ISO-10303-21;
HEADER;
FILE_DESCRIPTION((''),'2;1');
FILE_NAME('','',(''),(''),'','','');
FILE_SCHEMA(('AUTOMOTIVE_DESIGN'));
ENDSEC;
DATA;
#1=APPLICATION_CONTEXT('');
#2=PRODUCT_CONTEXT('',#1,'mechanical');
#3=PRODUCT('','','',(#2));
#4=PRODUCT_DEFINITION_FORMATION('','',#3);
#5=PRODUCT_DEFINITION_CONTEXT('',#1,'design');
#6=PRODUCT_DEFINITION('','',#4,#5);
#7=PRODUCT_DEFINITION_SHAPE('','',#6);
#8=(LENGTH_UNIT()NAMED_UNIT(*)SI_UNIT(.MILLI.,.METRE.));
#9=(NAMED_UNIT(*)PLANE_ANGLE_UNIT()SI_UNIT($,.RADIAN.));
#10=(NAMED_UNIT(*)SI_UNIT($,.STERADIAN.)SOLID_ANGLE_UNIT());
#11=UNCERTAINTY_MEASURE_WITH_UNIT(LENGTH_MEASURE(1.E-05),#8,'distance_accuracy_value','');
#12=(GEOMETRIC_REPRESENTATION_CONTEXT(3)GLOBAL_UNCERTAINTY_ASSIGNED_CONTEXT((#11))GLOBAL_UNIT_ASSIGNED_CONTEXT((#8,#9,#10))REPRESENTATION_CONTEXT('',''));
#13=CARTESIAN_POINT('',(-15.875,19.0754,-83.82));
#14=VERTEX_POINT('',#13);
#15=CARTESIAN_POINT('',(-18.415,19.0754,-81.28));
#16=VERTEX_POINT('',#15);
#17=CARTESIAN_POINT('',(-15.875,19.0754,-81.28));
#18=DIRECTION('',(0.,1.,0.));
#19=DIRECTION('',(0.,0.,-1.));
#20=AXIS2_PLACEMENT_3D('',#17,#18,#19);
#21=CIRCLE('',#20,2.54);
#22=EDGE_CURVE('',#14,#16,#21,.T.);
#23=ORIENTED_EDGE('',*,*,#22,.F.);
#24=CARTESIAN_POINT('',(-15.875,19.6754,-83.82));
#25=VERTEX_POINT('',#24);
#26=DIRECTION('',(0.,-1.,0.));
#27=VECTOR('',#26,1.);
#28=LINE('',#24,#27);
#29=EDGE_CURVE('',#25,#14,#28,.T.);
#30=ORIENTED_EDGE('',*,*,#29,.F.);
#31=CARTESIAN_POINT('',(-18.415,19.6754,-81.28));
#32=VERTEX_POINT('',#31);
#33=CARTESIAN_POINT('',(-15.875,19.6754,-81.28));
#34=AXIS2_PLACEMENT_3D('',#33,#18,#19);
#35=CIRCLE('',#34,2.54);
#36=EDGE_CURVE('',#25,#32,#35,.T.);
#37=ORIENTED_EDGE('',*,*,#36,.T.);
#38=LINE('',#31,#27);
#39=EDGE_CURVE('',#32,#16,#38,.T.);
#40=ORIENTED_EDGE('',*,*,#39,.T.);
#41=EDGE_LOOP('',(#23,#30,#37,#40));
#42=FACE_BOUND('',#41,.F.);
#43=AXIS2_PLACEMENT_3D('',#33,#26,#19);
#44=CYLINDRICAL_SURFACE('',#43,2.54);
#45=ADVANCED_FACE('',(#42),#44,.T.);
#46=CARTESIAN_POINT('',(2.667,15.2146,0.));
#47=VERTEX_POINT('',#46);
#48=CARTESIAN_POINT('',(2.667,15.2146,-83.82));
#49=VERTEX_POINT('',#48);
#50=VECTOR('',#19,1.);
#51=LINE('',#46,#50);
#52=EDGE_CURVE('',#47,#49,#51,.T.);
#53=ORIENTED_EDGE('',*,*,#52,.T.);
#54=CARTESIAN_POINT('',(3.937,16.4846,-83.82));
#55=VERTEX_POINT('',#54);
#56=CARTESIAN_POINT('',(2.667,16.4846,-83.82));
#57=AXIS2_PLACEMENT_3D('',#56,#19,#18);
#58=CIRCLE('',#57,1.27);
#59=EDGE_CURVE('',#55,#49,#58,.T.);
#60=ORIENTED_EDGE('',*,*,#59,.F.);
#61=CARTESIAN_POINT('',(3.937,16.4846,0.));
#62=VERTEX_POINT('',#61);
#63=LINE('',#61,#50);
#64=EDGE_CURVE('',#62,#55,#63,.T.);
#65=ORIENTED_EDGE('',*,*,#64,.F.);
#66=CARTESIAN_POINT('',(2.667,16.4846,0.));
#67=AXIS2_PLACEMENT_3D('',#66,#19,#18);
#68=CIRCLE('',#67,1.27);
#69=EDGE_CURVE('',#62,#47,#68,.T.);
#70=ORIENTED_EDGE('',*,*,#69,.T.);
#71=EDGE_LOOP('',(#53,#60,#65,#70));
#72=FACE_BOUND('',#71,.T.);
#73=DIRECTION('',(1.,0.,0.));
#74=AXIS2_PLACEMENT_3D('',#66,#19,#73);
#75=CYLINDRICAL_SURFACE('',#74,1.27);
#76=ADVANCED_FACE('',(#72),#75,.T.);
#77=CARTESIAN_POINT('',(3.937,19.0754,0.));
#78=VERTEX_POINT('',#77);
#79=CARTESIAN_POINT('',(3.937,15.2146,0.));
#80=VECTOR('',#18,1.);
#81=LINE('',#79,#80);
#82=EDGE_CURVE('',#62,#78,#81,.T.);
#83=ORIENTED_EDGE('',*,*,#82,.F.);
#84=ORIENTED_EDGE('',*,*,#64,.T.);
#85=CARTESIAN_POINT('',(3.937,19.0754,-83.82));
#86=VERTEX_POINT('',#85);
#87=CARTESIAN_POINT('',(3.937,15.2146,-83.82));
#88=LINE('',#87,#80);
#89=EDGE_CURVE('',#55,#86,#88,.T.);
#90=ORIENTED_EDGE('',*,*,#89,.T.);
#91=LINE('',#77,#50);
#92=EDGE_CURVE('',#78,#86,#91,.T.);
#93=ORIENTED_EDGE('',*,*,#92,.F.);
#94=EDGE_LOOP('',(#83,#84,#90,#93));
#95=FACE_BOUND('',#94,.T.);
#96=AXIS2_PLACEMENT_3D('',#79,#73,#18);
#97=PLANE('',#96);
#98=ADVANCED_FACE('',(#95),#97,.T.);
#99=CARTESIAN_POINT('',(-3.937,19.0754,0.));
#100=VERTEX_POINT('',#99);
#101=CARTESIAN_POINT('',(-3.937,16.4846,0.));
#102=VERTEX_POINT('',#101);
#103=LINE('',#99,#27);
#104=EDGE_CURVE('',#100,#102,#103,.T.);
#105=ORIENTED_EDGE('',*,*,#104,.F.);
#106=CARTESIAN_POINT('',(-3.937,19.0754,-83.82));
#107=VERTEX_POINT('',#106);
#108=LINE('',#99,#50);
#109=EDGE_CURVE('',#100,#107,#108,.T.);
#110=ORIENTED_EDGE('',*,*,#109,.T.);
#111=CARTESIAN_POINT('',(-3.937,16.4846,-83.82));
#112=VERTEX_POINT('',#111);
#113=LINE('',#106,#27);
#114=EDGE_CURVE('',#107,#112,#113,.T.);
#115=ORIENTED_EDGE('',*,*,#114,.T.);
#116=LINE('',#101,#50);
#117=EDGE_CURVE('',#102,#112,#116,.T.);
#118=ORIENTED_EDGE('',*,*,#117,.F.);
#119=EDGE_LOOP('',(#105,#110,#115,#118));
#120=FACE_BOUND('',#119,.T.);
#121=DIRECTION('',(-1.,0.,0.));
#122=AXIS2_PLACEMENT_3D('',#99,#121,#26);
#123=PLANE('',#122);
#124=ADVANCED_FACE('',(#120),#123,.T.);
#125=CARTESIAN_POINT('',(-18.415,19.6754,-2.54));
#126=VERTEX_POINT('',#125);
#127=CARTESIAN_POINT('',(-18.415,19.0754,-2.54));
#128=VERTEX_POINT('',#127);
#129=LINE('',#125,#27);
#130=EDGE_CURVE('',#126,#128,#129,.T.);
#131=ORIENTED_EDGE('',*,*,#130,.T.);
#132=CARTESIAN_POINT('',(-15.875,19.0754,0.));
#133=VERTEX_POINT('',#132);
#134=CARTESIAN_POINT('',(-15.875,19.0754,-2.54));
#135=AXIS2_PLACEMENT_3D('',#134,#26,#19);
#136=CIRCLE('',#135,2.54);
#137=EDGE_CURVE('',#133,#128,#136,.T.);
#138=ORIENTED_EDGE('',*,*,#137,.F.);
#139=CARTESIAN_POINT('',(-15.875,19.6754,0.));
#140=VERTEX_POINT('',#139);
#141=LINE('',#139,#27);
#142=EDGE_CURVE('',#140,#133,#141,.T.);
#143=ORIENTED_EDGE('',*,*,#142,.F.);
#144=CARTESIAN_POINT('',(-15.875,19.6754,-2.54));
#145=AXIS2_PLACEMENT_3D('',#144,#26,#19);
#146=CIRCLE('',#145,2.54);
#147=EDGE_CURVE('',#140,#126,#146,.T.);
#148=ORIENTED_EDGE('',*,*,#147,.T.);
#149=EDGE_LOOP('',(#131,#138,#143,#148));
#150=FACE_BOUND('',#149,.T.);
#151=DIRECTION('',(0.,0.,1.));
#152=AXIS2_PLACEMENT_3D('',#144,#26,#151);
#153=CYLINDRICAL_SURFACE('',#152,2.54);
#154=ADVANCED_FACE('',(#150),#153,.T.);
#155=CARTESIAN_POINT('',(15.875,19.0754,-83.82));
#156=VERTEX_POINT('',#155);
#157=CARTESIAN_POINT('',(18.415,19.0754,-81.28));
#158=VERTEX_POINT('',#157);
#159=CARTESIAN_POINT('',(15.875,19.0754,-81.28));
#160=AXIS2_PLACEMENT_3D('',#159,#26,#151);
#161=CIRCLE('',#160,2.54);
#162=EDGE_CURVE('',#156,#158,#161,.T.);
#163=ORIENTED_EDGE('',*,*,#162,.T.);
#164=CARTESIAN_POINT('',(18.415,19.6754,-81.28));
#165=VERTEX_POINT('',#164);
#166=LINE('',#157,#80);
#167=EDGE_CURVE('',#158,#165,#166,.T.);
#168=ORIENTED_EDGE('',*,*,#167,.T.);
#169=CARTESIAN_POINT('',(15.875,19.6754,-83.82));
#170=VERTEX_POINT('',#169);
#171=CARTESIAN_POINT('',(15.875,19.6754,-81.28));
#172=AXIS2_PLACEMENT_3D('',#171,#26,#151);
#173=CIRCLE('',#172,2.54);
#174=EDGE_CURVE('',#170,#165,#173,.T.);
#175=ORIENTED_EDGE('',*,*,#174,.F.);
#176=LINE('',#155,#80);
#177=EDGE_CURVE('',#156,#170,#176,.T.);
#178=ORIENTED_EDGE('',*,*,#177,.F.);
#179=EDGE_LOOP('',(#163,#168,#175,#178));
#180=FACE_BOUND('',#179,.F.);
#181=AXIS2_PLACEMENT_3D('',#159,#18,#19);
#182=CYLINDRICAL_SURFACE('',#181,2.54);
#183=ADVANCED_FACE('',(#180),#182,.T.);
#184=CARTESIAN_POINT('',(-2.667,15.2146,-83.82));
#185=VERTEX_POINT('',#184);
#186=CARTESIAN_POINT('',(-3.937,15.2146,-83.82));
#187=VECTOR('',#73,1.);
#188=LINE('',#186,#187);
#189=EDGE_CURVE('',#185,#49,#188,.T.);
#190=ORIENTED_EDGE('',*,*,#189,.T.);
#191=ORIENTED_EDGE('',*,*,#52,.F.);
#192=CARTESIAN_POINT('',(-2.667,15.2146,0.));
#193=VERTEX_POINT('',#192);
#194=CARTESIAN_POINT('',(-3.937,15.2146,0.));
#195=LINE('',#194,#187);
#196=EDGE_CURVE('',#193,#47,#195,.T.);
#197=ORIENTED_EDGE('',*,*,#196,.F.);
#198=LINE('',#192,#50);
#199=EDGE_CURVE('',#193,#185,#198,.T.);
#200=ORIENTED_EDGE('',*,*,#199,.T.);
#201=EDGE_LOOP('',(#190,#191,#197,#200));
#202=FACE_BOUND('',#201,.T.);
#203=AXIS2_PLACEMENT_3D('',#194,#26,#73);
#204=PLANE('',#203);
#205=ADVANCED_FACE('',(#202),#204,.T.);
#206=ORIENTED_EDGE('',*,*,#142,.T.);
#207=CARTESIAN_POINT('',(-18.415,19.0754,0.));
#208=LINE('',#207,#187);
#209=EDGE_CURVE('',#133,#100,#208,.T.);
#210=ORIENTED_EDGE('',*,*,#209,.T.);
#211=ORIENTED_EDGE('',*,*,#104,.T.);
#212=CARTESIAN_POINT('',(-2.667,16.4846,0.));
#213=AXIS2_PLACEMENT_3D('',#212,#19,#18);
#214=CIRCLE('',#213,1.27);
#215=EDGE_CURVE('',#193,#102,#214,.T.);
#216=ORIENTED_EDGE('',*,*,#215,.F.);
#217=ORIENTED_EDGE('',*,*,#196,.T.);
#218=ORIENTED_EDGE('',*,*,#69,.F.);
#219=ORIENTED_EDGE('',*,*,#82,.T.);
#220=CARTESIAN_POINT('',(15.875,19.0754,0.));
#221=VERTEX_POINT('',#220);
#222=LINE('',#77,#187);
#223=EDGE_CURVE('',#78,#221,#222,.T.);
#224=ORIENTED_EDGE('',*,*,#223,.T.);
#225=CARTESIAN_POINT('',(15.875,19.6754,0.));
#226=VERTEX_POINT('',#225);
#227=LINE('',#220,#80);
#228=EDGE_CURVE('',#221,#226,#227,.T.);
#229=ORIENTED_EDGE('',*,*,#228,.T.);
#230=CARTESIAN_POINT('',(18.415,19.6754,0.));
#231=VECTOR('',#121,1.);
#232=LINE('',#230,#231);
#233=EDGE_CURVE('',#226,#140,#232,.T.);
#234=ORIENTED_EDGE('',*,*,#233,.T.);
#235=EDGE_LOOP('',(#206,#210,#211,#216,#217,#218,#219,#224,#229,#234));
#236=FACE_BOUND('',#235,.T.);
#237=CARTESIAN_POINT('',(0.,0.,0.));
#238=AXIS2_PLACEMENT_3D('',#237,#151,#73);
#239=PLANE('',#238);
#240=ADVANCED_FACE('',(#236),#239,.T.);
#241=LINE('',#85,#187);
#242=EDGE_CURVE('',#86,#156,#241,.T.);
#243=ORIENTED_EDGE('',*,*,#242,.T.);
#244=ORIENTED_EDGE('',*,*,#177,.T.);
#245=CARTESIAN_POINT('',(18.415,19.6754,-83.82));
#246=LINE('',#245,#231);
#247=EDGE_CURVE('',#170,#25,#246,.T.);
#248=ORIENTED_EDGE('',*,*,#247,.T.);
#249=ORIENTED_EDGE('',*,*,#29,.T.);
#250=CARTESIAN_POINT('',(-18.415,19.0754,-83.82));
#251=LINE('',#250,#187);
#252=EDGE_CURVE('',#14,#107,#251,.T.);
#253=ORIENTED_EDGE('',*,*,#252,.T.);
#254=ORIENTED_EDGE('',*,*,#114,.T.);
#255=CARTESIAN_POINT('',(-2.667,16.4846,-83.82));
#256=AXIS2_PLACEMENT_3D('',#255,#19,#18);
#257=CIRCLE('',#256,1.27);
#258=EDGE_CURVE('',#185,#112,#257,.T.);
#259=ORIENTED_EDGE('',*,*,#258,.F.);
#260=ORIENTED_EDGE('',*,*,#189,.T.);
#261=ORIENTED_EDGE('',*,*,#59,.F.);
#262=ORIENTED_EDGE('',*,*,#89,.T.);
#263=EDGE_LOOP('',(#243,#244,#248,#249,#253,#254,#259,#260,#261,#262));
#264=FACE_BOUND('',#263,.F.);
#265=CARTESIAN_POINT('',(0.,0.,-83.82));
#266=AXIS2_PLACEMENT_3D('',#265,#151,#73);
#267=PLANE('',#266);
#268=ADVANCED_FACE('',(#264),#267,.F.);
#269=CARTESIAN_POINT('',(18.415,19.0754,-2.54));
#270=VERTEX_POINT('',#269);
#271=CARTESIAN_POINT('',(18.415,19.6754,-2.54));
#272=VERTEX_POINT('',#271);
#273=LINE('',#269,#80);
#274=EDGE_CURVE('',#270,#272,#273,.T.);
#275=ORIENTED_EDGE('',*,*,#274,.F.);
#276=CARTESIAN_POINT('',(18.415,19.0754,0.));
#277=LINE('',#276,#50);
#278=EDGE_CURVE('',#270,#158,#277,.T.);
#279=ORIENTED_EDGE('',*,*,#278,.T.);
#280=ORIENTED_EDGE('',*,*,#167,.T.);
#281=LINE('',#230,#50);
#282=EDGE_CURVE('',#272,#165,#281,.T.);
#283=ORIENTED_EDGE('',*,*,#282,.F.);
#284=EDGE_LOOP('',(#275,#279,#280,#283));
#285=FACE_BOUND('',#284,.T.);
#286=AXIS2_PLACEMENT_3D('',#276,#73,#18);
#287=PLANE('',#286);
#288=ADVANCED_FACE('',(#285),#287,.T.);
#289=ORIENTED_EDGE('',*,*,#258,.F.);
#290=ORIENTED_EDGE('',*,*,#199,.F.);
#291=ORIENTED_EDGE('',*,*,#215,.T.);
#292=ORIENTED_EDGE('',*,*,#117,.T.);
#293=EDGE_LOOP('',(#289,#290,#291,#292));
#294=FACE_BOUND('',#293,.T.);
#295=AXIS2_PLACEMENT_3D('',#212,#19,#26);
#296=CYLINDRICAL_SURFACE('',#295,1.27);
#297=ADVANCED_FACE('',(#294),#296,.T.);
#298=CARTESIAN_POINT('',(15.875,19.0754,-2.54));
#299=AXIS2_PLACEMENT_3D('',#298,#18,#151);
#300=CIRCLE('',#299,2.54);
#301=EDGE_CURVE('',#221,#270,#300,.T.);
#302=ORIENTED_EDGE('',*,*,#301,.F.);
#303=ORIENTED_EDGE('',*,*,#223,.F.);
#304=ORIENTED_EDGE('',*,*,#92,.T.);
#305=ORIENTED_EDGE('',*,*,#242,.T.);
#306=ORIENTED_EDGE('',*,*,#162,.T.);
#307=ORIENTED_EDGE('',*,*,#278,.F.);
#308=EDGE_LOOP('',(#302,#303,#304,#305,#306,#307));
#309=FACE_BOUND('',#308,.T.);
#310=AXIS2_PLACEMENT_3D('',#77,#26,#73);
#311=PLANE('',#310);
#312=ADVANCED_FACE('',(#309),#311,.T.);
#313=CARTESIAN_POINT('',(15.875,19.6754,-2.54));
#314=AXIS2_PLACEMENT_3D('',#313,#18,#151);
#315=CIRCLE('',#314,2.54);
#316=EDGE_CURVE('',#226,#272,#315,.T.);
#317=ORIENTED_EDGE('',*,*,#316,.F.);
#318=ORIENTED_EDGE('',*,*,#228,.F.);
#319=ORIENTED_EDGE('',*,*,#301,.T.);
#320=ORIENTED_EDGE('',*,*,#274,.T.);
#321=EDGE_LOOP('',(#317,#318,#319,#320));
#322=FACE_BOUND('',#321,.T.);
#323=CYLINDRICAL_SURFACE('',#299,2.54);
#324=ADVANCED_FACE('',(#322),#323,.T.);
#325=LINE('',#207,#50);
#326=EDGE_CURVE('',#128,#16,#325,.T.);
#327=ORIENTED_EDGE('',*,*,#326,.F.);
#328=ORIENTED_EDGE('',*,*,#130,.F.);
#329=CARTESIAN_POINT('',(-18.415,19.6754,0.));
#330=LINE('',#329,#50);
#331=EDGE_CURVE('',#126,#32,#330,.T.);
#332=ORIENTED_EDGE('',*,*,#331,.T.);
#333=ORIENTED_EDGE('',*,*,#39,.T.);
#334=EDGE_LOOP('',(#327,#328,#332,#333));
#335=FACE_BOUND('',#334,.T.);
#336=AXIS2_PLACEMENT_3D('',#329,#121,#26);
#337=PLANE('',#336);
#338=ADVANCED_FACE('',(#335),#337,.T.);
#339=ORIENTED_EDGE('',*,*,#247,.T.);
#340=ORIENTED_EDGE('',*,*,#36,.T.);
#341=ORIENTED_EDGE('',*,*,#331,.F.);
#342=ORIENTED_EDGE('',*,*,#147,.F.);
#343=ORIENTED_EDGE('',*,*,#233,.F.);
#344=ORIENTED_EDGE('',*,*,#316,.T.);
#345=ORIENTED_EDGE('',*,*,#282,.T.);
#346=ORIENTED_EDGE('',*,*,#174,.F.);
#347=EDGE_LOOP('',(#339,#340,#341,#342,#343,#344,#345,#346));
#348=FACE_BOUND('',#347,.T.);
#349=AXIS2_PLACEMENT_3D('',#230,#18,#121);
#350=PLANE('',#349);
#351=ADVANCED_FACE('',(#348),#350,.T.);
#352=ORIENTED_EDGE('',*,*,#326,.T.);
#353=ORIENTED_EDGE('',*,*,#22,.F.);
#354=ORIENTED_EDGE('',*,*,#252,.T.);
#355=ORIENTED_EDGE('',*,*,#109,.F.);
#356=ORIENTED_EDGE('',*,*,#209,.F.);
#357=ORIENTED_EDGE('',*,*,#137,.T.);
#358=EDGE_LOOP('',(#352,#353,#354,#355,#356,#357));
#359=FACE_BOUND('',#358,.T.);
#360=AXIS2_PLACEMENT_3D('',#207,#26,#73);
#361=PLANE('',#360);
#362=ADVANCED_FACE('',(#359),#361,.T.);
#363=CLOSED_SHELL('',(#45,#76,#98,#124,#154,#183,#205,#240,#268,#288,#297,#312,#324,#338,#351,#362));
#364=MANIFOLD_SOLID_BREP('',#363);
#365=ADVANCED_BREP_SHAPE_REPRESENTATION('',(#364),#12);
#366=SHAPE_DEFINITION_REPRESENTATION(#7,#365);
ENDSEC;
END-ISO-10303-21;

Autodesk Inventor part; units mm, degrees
ref_plane "YZ Plane" through (0, 0, 0) normal (1, 0, 0) x (0, 1, 0)
ref_plane "XZ Plane" through (0, 0, 0) normal (0, 1, 0) x (-1, 0, 0)
ref_plane "Work Plane1" through (0, 0, 0) normal (0, 0, 1) x (1, 0, 0)
sketch "Sketch1" plane through (0, 0, 0) normal (0, 0, 1) x (1, 0, 0)
  circle A0 centre (0, 0) radius 2.413 projected
  line L0 (-4.7444, -6.5405) -> (4.7444, -6.5405) projected
  line L1 (4.7444, -6.5405) -> (10.16, -11.9561) projected
  line L2 (10.16, -11.9561) -> (10.16, -16.002) projected
  line L3 (10.16, -16.002) -> (6.985, -16.002) projected
  line L4 (6.985, -16.002) -> (6.985, -15.24) projected
  line L5 (6.985, -15.24) -> (4.445, -15.24) projected
  line L6 (4.445, -15.24) -> (4.445, -19.05) projected
  line L7 (4.445, -19.05) -> (19.05, -19.05) projected
  line L8 (19.05, -19.05) -> (19.05, -4.445) projected
  line L9 (19.05, -4.445) -> (15.24, -4.445) projected
  line L10 (15.24, -4.445) -> (15.24, -6.985) projected
  line L11 (15.24, -6.985) -> (16.002, -6.985) projected
  line L12 (16.002, -6.985) -> (16.002, -10.16) projected
  line L13 (16.002, -10.16) -> (11.9561, -10.16) projected
  line L14 (11.9561, -10.16) -> (6.5405, -4.7444) projected
  line L15 (6.5405, -4.7444) -> (6.5405, 4.7444) projected
  line L16 (6.5405, 4.7444) -> (11.9561, 10.16) projected
  line L17 (11.9561, 10.16) -> (16.002, 10.16) projected
  line L18 (16.002, 10.16) -> (16.002, 6.985) projected
  line L19 (16.002, 6.985) -> (15.24, 6.985) projected
  line L20 (15.24, 6.985) -> (15.24, 4.445) projected
  line L21 (15.24, 4.445) -> (19.05, 4.445) projected
  line L22 (19.05, 4.445) -> (19.05, 19.05) projected
  line L23 (19.05, 19.05) -> (4.445, 19.05) projected
  line L24 (4.445, 19.05) -> (4.445, 15.24) projected
  line L25 (4.445, 15.24) -> (6.985, 15.24) projected
  line L26 (6.985, 15.24) -> (6.985, 16.002) projected
  line L27 (6.985, 16.002) -> (10.16, 16.002) projected
  line L28 (10.16, 16.002) -> (10.16, 11.9561) projected
  line L29 (10.16, 11.9561) -> (4.7444, 6.5405) projected
  line L30 (4.7444, 6.5405) -> (-4.7444, 6.5405) projected
  line L31 (-4.7444, 6.5405) -> (-10.16, 11.9561) projected
  line L32 (-10.16, 11.9561) -> (-10.16, 16.002) projected
  line L33 (-10.16, 16.002) -> (-6.985, 16.002) projected
  line L34 (-6.985, 16.002) -> (-6.985, 15.24) projected
  line L35 (-6.985, 15.24) -> (-4.445, 15.24) projected
  line L36 (-4.445, 15.24) -> (-4.445, 19.05) projected
  line L37 (-4.445, 19.05) -> (-19.05, 19.05) projected
  line L38 (-19.05, 19.05) -> (-19.05, 4.445) projected
  line L39 (-19.05, 4.445) -> (-15.24, 4.445) projected
  line L40 (-15.24, 4.445) -> (-15.24, 6.985) projected
  line L41 (-15.24, 6.985) -> (-16.002, 6.985) projected
  line L42 (-16.002, 6.985) -> (-16.002, 10.16) projected
  line L43 (-16.002, 10.16) -> (-11.9561, 10.16) projected
  line L44 (-11.9561, 10.16) -> (-6.5405, 4.7444) projected
  line L45 (-6.5405, 4.7444) -> (-6.5405, -4.7444) projected
  line L46 (-6.5405, -4.7444) -> (-11.9561, -10.16) projected
  line L47 (-11.9561, -10.16) -> (-16.002, -10.16) projected
  line L48 (-16.002, -10.16) -> (-16.002, -6.985) projected
  line L49 (-16.002, -6.985) -> (-15.24, -6.985) projected
  line L50 (-15.24, -6.985) -> (-15.24, -4.445) projected
  line L51 (-15.24, -4.445) -> (-19.05, -4.445) projected
  line L52 (-19.05, -4.445) -> (-19.05, -19.05) projected
  line L53 (-19.05, -19.05) -> (-4.445, -19.05) projected
  line L54 (-4.445, -19.05) -> (-4.445, -15.24) projected
  line L55 (-4.445, -15.24) -> (-6.985, -15.24) projected
  line L56 (-6.985, -15.24) -> (-6.985, -16.002) projected
  line L57 (-6.985, -16.002) -> (-10.16, -16.002) projected
  line L58 (-10.16, -16.002) -> (-10.16, -11.9561) projected
  line L59 (-10.16, -11.9561) -> (-4.7444, -6.5405) projected
  line L60 (-18.415, 19.0754) -> (-3.937, 19.0754)
  line L61 (-3.937, 19.0754) -> (-3.937, 15.2146)
  line L62 (-3.937, 15.2146) -> (3.937, 15.2146)
  line L63 (3.937, 15.2146) -> (3.937, 19.0754)
  line L64 (3.937, 19.0754) -> (18.415, 19.0754)
  line L65 (18.415, 19.0754) -> (18.415, 19.6754)
  line L66 (18.415, 19.6754) -> (-18.415, 19.6754)
  line L67 (-18.415, 19.6754) -> (-18.415, 19.0754)
  dimension "d0" = 0.635
  dimension "d1" = 0.635
  dimension "d2" = 0.0254
  dimension "d3" = 0.6
  dimension "d4" = 0.508
  dimension "d5" = 0.508
  dimension "d6" = 0.0254
extrude "Extrusion1" add sketch "Sketch1" against normal blind 83.82 contours L67 L66 L65 L64 L63 L62 L61 L60
fillet "Fillet1" radius 1.27 2 edges at (3.937, 15.2146, -41.91) (-3.937, 15.2146, -41.91)
fillet "Fillet2" radius 2.54 4 edges at (18.415, 19.3754, 0) (18.415, 19.3754, -83.82) (-18.415, 19.3754, -83.82) (-18.415, 19.3754, 0)
equation "\"d1\" = d0"
equation "\"d5\" = d4"
equation "\"d6\" = d2"
properties part number "Flat Bearing"
